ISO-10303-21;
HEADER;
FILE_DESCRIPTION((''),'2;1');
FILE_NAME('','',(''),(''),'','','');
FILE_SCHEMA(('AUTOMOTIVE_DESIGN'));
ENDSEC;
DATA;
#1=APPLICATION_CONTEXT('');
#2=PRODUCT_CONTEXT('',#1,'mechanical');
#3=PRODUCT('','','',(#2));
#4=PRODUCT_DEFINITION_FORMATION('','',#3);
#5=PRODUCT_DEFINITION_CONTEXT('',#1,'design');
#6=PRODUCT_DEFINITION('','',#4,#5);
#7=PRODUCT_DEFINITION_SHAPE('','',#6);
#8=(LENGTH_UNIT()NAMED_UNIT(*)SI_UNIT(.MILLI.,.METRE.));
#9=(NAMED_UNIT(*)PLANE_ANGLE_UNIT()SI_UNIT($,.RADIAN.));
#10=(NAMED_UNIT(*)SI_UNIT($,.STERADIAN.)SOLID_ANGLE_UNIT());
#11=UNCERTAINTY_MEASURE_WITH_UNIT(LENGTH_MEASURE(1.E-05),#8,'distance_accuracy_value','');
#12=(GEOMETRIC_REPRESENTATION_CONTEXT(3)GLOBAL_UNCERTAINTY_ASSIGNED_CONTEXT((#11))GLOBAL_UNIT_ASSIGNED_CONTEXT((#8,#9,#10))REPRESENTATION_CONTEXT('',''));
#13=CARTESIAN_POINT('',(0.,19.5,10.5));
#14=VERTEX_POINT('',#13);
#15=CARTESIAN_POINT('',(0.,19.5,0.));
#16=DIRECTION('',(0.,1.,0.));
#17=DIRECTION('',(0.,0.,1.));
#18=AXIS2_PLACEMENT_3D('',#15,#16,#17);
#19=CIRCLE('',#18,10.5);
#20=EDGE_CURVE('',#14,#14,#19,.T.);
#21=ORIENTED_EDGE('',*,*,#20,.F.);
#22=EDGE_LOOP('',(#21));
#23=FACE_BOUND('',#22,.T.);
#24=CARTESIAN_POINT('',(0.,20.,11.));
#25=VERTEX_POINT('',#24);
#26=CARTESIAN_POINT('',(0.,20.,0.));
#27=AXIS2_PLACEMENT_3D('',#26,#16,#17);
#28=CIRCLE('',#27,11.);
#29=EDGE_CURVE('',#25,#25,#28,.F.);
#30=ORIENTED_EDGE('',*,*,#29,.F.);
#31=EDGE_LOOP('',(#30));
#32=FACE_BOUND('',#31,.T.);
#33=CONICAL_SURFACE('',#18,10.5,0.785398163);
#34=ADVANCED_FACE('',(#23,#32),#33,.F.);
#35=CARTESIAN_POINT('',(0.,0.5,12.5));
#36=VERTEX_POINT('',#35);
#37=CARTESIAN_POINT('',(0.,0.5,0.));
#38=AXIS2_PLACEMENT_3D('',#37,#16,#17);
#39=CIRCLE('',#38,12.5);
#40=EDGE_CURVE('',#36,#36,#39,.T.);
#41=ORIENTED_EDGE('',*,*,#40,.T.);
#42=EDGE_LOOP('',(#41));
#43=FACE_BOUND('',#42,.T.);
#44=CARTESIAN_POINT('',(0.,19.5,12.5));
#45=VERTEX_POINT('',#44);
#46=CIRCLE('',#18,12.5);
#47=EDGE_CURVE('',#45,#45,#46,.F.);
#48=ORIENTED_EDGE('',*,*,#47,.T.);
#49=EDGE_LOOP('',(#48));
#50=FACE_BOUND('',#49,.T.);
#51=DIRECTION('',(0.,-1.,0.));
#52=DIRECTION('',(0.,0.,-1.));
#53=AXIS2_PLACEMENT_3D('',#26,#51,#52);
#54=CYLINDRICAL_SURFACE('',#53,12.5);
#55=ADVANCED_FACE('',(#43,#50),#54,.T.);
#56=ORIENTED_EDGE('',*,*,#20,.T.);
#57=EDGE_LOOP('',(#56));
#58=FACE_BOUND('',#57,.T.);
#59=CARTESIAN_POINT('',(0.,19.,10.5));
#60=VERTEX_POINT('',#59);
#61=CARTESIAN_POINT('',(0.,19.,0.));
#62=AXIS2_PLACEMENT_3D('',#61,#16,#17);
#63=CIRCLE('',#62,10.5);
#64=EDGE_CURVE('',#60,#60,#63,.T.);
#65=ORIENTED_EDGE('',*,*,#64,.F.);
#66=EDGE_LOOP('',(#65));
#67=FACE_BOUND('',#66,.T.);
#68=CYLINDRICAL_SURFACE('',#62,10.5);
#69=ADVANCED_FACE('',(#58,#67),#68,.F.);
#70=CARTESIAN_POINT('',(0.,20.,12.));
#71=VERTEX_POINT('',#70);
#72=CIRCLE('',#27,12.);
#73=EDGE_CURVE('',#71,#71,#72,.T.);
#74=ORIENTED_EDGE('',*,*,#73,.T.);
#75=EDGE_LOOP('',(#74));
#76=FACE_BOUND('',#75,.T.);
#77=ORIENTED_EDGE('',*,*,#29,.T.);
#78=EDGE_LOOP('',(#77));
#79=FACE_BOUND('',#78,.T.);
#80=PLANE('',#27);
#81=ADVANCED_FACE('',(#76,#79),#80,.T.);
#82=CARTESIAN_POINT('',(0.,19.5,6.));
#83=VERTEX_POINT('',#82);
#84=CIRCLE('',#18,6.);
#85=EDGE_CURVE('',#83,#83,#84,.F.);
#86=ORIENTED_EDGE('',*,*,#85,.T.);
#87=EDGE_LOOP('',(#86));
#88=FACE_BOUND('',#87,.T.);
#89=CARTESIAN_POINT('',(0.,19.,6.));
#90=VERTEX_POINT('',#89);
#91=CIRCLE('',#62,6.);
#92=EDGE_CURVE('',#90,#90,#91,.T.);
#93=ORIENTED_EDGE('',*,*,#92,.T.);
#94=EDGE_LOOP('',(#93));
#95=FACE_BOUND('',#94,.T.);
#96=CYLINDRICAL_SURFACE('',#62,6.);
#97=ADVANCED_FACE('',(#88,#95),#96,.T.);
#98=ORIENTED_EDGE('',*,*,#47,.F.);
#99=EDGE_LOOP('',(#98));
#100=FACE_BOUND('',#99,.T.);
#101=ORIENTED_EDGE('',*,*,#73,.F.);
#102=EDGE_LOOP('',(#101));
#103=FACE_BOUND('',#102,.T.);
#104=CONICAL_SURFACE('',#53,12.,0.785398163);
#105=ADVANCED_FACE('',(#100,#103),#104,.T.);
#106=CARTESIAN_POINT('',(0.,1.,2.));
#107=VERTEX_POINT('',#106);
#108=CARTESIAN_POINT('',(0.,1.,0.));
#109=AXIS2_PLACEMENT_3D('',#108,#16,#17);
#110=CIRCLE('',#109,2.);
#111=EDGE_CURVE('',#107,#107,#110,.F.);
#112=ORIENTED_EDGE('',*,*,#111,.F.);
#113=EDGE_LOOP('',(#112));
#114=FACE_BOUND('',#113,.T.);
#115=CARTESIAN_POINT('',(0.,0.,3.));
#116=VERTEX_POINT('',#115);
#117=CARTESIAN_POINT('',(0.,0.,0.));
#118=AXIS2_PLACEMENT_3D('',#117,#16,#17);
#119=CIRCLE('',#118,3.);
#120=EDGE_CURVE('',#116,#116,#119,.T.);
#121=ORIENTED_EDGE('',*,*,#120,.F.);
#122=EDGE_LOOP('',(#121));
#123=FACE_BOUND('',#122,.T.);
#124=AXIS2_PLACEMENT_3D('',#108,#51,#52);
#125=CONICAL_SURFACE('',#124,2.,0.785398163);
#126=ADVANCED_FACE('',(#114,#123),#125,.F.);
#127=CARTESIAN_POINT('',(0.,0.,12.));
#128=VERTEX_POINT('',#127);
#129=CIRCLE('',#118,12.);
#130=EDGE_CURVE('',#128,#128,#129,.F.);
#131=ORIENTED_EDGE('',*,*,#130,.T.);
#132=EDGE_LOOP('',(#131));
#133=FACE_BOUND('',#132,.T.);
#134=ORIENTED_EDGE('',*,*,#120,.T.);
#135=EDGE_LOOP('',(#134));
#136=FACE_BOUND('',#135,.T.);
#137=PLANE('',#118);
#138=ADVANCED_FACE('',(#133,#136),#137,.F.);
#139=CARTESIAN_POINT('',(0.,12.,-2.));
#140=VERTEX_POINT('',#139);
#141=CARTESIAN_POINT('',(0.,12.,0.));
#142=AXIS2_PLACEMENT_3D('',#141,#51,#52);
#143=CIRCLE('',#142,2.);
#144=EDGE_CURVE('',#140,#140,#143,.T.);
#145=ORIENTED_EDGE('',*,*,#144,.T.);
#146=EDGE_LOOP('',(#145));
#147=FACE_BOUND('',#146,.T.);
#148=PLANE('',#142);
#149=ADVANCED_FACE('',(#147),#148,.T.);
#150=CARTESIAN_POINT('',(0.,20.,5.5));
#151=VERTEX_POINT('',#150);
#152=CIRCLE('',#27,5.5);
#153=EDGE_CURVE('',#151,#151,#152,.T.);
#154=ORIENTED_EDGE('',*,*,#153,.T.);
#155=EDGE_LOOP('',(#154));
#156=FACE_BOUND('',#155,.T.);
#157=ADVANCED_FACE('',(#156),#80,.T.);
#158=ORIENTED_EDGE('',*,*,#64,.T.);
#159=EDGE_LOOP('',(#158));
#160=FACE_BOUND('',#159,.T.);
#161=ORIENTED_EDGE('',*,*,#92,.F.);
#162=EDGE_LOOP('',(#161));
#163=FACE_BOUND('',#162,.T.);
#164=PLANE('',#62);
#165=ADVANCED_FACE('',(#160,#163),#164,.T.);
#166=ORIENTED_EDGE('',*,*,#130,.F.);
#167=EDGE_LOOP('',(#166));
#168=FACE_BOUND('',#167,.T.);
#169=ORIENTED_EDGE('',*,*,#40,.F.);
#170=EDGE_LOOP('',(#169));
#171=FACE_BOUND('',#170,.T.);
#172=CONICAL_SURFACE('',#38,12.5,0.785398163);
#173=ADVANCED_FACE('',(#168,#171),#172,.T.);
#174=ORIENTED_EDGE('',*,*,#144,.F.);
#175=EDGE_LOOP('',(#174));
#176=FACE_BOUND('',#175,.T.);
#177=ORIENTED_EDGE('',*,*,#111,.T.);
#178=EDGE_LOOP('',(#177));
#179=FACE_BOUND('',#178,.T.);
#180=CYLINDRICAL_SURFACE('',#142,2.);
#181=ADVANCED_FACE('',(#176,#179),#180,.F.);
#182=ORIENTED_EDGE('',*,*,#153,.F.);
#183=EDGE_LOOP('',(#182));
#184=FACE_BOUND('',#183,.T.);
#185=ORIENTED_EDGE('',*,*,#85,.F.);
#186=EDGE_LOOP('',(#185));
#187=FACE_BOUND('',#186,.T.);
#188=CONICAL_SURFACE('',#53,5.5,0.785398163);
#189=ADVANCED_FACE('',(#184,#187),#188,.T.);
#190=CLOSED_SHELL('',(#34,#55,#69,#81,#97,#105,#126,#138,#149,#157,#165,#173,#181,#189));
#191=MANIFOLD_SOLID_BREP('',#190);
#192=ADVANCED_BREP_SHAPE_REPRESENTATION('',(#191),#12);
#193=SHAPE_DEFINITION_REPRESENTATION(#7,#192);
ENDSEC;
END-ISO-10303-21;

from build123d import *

# Parameters (mm, degrees)
SKETCH_1_R          = 12.5
EXTRUDE_1_DEPTH     = 20
SKETCH_2_R          = 10.5
SKETCH_2_R_2        = 6
CUT_EXTRUDE_1_DEPTH = 1
CHAMFER_1_SIZE      = 0.5
SKETCH_3_R          = 2
CUT_EXTRUDE_2_DEPTH = 12
CHAMFER_2_SIZE      = 1


with BuildPart() as part:
    # Эскиз1 → Бобышка-Вытянуть1 (new body)
    with BuildSketch(Plane(origin=(0, 0, 0), x_dir=(1, 0, 0), z_dir=(0, 1, 0))):
        Circle(SKETCH_1_R)
    extrude(amount=EXTRUDE_1_DEPTH)

    # Эскиз2 → Вырез-Вытянуть1 (cut)
    with BuildSketch(Plane(origin=(0, 20, 0), x_dir=(1, 0, 0), z_dir=(0, 1, 0))):
        Circle(SKETCH_2_R)
        Circle(SKETCH_2_R_2, mode=Mode.SUBTRACT)
    extrude(amount=-CUT_EXTRUDE_1_DEPTH, mode=Mode.SUBTRACT)

    # Фаска1
    chamfer_1_edges = [part.edges().sort_by_distance(p)[0] for p in [
        (-12.5, 0, 0),
        (-12.5, 20, 0),
        (-10.5, 20, 0),
        (-6, 20, 0),
    ]]
    chamfer(chamfer_1_edges, length=CHAMFER_1_SIZE)

    # Эскиз3 → Вырез-Вытянуть2 (cut)
    with BuildSketch(Plane.XZ):
        Circle(SKETCH_3_R)
    extrude(amount=-CUT_EXTRUDE_2_DEPTH, mode=Mode.SUBTRACT)

    # Фаска2
    chamfer_2_edges = [part.edges().sort_by_distance(p)[0] for p in [
        (-2, 0, 0),
    ]]
    chamfer(chamfer_2_edges, length=CHAMFER_2_SIZE)


solid = part.part
